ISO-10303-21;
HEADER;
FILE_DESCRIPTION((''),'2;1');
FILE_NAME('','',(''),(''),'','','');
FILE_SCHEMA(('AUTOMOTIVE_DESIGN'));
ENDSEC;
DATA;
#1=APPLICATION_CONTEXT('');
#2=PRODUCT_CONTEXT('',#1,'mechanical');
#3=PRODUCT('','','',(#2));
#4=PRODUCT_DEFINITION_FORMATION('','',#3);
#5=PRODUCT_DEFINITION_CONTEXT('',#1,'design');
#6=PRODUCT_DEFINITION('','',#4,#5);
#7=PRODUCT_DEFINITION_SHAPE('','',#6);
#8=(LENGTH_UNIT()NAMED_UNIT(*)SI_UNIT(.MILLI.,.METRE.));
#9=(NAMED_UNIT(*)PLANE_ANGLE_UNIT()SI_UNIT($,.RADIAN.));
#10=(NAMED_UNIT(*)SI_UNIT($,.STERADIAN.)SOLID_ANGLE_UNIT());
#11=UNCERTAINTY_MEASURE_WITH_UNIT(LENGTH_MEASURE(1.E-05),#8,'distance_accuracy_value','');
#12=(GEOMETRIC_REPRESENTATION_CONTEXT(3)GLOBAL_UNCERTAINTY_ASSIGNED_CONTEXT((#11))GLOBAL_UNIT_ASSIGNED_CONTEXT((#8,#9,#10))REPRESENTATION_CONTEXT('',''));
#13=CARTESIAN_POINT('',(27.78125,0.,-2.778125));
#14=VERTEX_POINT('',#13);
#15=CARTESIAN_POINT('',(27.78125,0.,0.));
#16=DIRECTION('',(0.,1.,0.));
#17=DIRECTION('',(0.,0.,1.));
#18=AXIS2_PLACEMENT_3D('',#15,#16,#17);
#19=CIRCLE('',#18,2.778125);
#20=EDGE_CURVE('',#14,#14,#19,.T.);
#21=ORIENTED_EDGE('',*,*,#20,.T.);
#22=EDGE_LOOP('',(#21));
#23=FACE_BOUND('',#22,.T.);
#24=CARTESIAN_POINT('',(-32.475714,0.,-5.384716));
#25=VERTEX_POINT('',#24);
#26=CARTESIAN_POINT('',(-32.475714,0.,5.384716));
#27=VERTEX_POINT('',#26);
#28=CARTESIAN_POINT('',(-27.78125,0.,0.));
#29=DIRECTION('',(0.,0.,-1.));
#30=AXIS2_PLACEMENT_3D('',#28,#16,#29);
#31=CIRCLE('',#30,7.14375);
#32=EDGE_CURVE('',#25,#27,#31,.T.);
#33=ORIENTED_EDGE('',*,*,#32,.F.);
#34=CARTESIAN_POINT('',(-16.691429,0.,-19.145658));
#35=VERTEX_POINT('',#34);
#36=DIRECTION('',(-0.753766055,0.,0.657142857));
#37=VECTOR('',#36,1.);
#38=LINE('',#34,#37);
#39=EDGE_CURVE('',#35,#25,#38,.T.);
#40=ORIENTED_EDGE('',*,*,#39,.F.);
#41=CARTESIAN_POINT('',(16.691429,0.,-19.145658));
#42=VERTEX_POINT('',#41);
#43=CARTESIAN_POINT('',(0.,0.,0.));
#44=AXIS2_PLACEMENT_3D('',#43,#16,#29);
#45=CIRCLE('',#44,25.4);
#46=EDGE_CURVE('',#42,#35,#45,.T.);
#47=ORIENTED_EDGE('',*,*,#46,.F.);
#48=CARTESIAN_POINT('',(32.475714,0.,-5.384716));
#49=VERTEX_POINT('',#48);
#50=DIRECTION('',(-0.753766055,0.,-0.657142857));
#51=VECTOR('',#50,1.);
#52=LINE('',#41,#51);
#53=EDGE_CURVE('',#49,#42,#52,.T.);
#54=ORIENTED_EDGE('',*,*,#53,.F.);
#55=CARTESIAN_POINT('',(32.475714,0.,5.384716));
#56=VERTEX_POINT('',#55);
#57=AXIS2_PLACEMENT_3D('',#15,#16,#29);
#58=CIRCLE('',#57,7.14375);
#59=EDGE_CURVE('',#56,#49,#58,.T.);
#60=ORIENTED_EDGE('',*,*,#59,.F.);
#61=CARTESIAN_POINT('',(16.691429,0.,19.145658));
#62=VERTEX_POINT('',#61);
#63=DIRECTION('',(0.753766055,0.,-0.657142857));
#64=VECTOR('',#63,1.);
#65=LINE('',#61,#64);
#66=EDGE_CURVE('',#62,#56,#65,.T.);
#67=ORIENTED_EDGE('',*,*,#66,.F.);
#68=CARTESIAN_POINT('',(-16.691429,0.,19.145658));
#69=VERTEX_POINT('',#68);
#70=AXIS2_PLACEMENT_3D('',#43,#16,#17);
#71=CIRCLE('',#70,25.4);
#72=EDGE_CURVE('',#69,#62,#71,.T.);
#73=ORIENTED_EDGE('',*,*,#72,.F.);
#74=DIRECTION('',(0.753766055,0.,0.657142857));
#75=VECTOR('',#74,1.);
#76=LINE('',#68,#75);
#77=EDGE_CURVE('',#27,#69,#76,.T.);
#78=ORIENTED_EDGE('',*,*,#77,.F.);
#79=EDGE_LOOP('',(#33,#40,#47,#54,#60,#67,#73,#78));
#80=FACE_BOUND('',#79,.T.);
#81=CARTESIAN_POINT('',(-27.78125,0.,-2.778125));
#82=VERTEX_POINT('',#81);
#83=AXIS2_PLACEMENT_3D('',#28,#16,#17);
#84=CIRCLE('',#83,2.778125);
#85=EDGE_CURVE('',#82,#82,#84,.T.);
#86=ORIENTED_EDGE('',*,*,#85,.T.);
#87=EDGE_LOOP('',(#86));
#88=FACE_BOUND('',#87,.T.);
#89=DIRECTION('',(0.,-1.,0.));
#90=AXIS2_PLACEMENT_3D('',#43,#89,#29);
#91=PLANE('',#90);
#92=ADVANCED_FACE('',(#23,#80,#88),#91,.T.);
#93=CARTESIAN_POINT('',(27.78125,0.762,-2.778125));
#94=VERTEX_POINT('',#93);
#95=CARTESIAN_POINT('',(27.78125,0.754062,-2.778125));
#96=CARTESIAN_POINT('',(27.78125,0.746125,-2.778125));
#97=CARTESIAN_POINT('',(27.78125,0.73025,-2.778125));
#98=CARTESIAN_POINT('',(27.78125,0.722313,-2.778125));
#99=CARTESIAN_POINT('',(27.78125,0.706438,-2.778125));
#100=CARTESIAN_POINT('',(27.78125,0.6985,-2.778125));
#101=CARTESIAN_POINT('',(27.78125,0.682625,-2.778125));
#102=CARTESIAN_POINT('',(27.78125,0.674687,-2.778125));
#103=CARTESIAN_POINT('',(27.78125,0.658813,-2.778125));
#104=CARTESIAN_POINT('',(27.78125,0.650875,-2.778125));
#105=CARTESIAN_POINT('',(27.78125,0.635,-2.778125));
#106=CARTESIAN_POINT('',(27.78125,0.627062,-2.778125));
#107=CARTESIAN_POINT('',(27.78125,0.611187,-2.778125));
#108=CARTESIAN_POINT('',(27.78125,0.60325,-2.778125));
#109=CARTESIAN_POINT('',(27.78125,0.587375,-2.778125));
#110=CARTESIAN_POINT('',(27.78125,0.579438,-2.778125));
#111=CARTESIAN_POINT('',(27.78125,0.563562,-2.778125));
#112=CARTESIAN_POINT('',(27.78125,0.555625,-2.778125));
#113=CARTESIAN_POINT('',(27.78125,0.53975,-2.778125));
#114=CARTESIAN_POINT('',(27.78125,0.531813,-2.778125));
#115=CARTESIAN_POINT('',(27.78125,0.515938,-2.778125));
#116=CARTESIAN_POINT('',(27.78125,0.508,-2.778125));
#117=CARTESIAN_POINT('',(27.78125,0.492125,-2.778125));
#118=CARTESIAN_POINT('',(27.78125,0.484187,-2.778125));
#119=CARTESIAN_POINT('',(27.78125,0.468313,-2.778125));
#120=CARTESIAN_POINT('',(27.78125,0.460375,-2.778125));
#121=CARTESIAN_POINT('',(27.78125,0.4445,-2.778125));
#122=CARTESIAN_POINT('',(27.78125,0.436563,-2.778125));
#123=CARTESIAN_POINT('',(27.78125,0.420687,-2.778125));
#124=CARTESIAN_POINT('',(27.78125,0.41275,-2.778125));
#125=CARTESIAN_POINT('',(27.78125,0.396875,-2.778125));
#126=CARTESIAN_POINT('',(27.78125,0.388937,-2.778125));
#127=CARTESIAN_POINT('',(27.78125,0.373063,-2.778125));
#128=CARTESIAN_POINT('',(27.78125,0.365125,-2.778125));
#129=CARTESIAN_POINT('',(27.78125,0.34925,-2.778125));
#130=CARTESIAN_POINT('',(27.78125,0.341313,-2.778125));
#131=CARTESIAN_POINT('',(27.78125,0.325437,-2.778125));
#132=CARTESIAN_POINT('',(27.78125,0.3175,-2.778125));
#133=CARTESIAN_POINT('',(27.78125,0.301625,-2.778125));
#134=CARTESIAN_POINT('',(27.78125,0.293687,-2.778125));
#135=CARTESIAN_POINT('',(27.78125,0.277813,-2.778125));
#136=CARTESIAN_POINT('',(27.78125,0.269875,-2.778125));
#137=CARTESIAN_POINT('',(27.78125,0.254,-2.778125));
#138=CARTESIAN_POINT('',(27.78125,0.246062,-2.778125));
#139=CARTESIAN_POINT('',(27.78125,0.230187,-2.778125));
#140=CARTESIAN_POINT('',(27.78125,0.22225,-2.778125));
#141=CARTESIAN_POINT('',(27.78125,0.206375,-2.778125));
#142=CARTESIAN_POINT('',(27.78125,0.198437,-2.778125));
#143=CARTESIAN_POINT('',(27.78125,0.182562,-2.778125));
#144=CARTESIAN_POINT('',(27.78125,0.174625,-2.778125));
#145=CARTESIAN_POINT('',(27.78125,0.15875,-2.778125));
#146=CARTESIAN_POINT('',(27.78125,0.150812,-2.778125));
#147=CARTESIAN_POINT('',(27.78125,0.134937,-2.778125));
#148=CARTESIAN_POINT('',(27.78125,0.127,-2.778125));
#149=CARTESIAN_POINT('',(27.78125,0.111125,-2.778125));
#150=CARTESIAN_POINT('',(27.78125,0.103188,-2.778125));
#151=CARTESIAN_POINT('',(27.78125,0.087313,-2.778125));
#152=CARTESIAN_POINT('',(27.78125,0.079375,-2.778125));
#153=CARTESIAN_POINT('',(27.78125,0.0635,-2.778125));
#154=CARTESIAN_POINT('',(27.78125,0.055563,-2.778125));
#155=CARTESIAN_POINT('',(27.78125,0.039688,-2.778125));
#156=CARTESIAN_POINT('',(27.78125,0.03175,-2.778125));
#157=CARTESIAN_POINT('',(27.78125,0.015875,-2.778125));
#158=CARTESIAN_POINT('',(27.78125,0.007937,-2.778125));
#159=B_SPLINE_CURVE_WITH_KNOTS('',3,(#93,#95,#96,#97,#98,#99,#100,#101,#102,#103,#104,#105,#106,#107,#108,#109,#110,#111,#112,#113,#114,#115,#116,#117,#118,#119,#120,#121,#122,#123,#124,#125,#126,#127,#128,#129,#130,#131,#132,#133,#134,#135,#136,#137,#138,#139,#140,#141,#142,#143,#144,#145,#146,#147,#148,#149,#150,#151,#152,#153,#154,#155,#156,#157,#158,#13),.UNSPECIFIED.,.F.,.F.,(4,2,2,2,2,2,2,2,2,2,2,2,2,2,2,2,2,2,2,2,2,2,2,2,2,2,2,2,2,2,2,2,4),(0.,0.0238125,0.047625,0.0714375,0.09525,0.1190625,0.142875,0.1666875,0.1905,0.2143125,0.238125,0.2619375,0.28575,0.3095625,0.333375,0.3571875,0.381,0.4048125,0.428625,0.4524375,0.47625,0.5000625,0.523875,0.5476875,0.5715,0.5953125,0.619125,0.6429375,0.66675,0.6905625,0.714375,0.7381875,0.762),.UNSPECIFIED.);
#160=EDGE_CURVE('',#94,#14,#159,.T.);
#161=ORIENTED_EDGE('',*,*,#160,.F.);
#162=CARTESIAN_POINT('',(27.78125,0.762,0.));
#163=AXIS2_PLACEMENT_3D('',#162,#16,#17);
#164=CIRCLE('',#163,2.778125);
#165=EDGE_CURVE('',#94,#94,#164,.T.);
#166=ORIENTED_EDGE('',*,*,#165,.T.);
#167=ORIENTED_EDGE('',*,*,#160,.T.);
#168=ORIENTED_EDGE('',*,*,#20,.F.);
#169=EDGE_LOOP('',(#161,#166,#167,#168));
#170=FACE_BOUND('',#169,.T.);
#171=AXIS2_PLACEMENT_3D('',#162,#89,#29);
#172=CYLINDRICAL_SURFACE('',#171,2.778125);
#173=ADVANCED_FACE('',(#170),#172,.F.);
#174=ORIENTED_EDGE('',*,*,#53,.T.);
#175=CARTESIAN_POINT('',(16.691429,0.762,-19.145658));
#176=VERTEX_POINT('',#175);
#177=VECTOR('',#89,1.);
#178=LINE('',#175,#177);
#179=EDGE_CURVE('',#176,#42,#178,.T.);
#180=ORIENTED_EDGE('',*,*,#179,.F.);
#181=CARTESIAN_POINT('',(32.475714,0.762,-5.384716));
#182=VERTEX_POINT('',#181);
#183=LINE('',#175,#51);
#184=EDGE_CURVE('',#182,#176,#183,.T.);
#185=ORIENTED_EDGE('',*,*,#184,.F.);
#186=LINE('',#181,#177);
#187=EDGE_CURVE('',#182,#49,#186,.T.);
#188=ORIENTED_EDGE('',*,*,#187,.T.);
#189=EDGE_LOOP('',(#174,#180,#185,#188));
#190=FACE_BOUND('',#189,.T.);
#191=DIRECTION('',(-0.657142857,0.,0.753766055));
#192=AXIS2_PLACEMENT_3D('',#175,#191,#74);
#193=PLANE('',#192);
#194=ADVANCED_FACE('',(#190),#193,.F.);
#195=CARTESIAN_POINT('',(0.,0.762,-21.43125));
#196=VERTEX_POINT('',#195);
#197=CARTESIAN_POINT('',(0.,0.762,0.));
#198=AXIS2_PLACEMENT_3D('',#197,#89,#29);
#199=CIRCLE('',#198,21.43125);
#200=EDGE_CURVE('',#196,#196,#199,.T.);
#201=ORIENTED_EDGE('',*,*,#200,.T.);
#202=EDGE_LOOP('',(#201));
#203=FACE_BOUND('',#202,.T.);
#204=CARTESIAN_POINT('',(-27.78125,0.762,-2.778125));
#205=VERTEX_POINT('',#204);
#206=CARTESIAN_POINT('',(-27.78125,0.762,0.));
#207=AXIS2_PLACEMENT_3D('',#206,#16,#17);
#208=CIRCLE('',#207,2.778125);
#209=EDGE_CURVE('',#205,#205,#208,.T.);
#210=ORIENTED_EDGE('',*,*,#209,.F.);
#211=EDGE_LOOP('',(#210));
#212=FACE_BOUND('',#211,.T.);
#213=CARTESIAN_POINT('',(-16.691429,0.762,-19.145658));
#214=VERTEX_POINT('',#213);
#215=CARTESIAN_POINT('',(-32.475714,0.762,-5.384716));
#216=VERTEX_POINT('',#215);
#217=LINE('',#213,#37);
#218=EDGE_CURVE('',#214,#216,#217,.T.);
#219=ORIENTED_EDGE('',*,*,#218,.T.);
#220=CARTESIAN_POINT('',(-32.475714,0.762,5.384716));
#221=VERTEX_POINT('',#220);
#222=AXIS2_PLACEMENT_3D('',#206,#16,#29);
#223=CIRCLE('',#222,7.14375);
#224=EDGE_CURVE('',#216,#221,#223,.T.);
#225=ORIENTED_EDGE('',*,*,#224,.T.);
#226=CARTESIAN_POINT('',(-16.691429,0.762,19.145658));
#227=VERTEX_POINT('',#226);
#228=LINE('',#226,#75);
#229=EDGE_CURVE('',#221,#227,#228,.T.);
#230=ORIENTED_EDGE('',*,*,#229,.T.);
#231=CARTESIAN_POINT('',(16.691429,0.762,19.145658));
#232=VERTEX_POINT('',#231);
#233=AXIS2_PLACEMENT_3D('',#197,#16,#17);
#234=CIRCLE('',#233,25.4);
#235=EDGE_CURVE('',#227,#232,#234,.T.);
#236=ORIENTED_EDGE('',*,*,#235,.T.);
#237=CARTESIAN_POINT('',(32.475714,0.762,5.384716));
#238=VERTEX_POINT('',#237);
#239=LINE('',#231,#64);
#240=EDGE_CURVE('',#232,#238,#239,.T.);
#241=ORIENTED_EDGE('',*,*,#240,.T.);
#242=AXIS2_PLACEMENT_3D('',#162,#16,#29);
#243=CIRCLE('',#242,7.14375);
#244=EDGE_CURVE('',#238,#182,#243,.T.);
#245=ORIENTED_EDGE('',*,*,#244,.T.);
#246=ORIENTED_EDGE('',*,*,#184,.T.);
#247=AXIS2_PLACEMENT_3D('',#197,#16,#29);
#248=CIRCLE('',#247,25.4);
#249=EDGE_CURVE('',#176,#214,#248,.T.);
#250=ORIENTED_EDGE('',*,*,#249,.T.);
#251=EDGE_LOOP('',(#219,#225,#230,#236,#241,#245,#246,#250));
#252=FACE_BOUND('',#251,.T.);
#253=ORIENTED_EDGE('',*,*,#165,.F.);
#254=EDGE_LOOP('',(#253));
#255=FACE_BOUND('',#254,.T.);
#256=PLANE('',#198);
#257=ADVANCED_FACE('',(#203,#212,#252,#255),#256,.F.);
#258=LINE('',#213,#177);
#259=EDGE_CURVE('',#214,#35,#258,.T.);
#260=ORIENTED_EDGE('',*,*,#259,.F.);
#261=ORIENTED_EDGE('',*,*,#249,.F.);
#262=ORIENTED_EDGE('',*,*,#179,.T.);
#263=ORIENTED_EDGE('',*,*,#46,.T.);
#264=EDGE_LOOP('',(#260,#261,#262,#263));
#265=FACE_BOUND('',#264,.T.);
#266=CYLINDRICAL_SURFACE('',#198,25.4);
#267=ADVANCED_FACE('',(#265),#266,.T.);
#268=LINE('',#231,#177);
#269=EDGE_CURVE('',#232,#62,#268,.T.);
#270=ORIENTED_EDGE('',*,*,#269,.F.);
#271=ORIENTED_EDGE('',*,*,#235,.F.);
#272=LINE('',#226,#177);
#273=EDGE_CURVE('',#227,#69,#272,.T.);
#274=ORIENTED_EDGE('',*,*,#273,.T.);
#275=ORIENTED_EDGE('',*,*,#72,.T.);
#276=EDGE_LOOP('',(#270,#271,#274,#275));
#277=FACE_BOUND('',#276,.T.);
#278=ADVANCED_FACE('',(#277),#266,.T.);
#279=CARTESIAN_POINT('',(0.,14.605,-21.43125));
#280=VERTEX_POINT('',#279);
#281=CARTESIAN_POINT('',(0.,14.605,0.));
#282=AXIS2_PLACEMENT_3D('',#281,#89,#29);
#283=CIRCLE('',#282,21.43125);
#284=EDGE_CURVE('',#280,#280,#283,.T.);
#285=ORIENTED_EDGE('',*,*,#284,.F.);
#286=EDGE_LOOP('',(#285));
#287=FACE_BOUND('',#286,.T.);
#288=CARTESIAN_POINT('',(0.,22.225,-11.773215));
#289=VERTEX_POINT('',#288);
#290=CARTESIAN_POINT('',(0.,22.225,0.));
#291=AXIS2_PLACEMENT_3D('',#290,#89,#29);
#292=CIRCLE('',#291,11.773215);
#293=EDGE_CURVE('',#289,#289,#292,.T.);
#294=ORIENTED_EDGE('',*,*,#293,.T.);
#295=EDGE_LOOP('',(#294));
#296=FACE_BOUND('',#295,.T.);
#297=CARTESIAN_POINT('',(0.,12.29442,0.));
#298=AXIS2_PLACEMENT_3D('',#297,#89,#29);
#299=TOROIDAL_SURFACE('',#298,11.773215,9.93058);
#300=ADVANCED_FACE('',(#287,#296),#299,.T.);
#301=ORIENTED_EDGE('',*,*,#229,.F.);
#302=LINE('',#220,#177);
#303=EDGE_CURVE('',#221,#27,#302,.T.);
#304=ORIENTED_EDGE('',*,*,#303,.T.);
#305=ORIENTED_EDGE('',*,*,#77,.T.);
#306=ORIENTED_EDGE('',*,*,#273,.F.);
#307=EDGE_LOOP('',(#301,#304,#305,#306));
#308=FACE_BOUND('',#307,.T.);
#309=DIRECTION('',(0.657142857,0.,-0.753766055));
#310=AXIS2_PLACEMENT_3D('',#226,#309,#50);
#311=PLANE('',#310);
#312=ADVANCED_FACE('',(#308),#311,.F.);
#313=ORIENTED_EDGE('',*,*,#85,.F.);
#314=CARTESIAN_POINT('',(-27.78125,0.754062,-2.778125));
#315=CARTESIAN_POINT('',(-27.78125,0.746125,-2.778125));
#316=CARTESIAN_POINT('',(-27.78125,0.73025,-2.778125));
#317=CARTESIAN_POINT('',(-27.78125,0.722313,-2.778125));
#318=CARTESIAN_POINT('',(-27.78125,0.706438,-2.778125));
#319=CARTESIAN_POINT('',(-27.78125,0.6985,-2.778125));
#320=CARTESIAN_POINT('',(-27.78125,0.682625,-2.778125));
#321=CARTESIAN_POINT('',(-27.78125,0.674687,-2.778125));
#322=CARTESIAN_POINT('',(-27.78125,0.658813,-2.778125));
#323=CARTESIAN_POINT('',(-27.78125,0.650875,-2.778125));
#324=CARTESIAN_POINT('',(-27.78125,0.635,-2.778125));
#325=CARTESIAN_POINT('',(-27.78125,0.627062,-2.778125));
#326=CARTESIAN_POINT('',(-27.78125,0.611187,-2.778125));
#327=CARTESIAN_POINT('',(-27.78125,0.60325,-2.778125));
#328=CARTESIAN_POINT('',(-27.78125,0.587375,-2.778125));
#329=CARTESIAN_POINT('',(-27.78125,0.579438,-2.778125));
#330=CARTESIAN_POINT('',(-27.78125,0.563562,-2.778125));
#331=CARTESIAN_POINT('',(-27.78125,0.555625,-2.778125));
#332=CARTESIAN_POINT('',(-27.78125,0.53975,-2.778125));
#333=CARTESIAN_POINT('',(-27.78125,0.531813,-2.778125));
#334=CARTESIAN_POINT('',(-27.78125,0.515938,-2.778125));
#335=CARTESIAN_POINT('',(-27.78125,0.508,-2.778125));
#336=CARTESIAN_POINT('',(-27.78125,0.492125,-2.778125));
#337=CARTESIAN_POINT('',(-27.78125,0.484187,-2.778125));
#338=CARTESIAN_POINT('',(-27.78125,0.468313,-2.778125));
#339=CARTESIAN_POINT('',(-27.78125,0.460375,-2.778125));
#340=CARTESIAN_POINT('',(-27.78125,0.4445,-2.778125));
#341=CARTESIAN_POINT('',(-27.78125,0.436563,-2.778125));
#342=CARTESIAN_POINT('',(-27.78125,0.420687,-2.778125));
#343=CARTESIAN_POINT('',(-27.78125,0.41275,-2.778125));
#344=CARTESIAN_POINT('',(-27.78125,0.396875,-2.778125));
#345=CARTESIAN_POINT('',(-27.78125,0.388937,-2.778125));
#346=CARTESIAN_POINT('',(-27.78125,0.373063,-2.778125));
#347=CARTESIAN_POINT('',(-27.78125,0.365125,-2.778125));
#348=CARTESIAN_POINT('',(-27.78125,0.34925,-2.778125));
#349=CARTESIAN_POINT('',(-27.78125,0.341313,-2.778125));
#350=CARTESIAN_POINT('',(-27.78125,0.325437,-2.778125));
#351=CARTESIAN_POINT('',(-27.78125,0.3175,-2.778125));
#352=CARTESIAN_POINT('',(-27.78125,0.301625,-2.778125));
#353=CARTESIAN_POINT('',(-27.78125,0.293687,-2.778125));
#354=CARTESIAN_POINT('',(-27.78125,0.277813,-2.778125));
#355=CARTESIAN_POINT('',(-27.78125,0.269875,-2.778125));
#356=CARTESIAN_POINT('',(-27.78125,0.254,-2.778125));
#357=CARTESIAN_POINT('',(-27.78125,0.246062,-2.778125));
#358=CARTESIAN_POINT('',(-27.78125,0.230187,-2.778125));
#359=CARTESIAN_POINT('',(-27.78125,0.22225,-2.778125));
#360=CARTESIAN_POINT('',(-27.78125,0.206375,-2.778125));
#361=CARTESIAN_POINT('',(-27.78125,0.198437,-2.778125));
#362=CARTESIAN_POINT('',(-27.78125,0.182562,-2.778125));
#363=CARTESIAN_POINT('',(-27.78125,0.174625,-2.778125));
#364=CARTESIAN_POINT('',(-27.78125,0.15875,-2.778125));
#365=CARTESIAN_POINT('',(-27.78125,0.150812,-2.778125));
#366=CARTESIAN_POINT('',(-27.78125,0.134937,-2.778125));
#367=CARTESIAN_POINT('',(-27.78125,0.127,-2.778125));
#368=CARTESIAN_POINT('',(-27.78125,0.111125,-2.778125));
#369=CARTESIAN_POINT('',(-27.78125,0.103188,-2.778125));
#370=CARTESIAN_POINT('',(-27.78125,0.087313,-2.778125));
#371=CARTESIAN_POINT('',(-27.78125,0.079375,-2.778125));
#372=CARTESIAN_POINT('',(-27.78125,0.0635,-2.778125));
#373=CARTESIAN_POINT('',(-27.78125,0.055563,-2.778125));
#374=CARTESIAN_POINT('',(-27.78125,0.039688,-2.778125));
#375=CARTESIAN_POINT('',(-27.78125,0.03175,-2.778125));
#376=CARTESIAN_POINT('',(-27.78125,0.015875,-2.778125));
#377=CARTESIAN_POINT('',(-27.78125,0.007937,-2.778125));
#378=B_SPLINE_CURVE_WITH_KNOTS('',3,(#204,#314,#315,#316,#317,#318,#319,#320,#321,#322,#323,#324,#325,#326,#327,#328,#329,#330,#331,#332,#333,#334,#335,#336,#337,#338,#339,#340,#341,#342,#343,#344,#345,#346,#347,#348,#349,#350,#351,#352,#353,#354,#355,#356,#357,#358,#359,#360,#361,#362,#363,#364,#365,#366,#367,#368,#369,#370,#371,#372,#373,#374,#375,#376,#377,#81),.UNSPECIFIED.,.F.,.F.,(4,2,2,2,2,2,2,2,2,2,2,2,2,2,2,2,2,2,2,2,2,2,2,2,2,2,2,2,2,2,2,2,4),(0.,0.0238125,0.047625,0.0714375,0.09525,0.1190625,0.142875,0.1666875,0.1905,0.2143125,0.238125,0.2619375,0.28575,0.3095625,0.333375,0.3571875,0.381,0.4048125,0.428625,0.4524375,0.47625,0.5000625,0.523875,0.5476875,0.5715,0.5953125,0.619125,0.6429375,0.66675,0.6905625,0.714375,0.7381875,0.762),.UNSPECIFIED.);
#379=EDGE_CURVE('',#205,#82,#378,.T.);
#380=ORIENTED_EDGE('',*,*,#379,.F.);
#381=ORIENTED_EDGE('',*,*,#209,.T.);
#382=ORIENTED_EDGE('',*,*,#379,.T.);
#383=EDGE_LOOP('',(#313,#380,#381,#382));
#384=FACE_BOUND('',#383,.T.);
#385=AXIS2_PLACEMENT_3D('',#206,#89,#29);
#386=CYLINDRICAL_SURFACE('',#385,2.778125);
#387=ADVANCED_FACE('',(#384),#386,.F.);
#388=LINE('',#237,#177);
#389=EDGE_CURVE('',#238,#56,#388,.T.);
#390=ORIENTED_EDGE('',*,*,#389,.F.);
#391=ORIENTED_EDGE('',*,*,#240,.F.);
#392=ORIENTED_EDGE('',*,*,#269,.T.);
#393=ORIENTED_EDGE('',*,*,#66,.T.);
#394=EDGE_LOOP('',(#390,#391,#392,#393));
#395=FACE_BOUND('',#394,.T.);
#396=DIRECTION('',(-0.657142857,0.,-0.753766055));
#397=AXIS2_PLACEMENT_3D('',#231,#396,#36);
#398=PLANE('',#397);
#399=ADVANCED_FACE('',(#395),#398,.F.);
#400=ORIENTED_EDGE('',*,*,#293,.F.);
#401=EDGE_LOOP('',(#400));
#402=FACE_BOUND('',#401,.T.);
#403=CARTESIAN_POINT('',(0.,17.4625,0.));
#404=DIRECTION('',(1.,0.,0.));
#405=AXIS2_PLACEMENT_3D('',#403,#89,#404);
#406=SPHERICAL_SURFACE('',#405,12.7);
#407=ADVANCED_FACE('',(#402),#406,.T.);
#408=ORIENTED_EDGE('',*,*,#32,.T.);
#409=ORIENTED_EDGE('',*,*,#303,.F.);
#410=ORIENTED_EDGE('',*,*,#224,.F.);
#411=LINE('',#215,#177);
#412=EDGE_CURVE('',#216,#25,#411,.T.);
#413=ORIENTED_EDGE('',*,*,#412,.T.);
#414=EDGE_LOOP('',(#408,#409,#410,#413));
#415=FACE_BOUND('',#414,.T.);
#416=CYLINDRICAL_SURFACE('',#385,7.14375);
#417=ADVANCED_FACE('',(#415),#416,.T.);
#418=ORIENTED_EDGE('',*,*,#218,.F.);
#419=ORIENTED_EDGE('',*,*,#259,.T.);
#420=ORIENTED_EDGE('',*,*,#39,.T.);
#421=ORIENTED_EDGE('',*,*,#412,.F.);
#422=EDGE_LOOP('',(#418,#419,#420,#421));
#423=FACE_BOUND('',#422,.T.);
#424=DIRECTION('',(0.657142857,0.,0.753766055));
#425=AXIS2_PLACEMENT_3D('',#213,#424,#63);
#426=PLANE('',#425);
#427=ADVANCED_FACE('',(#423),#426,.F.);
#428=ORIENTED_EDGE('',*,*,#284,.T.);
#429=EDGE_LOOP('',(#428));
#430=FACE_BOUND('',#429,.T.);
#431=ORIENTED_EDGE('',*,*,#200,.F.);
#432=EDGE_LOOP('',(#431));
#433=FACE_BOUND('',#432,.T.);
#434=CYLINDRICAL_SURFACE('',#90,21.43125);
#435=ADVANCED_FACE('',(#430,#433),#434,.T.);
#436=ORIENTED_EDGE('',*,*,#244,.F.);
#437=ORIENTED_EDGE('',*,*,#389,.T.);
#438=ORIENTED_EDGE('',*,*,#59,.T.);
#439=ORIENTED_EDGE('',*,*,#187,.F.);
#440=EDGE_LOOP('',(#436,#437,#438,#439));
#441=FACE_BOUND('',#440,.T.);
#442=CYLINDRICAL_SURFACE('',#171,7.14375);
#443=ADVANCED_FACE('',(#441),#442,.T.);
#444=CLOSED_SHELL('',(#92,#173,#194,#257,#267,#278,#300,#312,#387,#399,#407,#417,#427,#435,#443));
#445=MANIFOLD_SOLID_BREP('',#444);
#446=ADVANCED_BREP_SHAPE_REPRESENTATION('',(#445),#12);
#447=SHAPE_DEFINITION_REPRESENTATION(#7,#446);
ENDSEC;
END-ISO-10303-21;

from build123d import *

# Parameters (mm, degrees)
SKETCH1_R           = 2.778125
BOSS_EXTRUDE1_DEPTH = 0.762


with BuildPart() as part:
    # Sketch1 → Boss-Extrude1 (new body)
    with BuildSketch(Plane(origin=(0, 0, 0), x_dir=(1, 0, 0), z_dir=(0, 1, 0))):
        with BuildLine():
            Line((-16.691428571, 19.145657791), (-32.475714286, 5.384716254))
            ThreePointArc((-32.475714286, 5.384716254), (-34.925, 0), (-32.475714286, -5.384716254))
            Line((-32.475714286, -5.384716254), (-16.691428571, -19.145657791))
            ThreePointArc((-16.691428571, -19.145657791), (0, -25.4), (16.691428571, -19.145657791))
            Line((16.691428571, -19.145657791), (32.475714286, -5.384716254))
            ThreePointArc((32.475714286, -5.384716254), (34.925, 0), (32.475714286, 5.384716254))
            Line((32.475714286, 5.384716254), (16.691428571, 19.145657791))
            ThreePointArc((16.691428571, 19.145657791), (0, 25.4), (-16.691428571, 19.145657791))
        make_face()
        with Locations(Location((-27.78125, 0, 0), (0, 0, 90))):
            Circle(SKETCH1_R, mode=Mode.SUBTRACT)
        with Locations(Location((27.78125, 0, 0), (0, 0, 90))):
            Circle(SKETCH1_R, mode=Mode.SUBTRACT)
    extrude(amount=BOSS_EXTRUDE1_DEPTH)

    # Sketch2 → Revolve1 (revolve)
    with BuildSketch(Plane.XY, mode=Mode.PRIVATE) as revolve1_sk:
        with BuildLine():
            Line((21.43125, 14.605), (21.43125, 0))
            Line((21.43125, 0), (0, 0))
            Line((0, 0), (0, 30.1625))
            ThreePointArc((0, 30.1625), (7.099515829, 27.992783709), (11.773215098, 22.225))
            ThreePointArc((11.773215098, 22.225), (17.924272694, 20.090631215), (21.43125, 14.605))
        make_face()
    revolve(revolve1_sk.sketch.rotate(Axis((0, 0, 0), (0, 1, 0)), 90), axis=Axis((0, 0, 0), (0, 1, 0)))


solid = part.part
